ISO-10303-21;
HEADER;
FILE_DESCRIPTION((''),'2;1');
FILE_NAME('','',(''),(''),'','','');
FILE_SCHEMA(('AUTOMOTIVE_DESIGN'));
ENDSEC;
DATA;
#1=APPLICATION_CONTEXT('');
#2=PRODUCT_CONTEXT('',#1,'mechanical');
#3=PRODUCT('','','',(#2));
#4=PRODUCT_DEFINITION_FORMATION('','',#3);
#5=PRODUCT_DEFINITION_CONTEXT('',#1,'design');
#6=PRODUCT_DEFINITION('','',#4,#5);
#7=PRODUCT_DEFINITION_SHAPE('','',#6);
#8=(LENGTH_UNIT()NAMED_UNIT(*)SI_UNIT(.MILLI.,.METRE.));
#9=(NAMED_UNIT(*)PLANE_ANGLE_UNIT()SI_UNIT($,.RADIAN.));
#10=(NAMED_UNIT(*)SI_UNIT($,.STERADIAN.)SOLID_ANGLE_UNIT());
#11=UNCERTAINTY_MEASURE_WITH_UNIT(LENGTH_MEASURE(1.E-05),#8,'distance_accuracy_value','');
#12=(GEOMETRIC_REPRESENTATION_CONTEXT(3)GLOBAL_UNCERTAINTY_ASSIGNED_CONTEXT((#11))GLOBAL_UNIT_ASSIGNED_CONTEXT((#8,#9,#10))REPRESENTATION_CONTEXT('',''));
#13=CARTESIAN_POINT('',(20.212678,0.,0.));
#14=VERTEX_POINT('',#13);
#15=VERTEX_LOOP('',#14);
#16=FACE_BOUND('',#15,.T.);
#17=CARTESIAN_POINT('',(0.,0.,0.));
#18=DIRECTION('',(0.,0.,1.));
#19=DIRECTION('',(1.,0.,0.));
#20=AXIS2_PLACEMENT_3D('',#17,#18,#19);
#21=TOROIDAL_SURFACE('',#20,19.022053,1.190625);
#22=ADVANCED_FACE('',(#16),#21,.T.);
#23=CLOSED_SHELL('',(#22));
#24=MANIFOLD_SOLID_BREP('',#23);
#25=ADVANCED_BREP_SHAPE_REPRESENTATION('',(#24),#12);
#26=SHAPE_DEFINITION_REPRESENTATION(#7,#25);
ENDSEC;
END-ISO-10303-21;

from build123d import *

# Parameters (mm, degrees)
SKETCH4_R = 1.190625


with BuildPart() as part:
    # Sweep2: sweep along a path in Sketch3
    with BuildLine(Plane.XY) as sweep2_path:
        CenterArc((0, 0), 19.022052773, 0, 360)
    # Sketch4 → Sweep2 (sweep)
    with BuildSketch(Plane(origin=(0, 0, 0), x_dir=(0, 0, -1), z_dir=(1, 0, 0))):
        with Locations((0, 19.022052773)):
            Circle(SKETCH4_R)
    sweep(path=sweep2_path.line)


solid = part.part
